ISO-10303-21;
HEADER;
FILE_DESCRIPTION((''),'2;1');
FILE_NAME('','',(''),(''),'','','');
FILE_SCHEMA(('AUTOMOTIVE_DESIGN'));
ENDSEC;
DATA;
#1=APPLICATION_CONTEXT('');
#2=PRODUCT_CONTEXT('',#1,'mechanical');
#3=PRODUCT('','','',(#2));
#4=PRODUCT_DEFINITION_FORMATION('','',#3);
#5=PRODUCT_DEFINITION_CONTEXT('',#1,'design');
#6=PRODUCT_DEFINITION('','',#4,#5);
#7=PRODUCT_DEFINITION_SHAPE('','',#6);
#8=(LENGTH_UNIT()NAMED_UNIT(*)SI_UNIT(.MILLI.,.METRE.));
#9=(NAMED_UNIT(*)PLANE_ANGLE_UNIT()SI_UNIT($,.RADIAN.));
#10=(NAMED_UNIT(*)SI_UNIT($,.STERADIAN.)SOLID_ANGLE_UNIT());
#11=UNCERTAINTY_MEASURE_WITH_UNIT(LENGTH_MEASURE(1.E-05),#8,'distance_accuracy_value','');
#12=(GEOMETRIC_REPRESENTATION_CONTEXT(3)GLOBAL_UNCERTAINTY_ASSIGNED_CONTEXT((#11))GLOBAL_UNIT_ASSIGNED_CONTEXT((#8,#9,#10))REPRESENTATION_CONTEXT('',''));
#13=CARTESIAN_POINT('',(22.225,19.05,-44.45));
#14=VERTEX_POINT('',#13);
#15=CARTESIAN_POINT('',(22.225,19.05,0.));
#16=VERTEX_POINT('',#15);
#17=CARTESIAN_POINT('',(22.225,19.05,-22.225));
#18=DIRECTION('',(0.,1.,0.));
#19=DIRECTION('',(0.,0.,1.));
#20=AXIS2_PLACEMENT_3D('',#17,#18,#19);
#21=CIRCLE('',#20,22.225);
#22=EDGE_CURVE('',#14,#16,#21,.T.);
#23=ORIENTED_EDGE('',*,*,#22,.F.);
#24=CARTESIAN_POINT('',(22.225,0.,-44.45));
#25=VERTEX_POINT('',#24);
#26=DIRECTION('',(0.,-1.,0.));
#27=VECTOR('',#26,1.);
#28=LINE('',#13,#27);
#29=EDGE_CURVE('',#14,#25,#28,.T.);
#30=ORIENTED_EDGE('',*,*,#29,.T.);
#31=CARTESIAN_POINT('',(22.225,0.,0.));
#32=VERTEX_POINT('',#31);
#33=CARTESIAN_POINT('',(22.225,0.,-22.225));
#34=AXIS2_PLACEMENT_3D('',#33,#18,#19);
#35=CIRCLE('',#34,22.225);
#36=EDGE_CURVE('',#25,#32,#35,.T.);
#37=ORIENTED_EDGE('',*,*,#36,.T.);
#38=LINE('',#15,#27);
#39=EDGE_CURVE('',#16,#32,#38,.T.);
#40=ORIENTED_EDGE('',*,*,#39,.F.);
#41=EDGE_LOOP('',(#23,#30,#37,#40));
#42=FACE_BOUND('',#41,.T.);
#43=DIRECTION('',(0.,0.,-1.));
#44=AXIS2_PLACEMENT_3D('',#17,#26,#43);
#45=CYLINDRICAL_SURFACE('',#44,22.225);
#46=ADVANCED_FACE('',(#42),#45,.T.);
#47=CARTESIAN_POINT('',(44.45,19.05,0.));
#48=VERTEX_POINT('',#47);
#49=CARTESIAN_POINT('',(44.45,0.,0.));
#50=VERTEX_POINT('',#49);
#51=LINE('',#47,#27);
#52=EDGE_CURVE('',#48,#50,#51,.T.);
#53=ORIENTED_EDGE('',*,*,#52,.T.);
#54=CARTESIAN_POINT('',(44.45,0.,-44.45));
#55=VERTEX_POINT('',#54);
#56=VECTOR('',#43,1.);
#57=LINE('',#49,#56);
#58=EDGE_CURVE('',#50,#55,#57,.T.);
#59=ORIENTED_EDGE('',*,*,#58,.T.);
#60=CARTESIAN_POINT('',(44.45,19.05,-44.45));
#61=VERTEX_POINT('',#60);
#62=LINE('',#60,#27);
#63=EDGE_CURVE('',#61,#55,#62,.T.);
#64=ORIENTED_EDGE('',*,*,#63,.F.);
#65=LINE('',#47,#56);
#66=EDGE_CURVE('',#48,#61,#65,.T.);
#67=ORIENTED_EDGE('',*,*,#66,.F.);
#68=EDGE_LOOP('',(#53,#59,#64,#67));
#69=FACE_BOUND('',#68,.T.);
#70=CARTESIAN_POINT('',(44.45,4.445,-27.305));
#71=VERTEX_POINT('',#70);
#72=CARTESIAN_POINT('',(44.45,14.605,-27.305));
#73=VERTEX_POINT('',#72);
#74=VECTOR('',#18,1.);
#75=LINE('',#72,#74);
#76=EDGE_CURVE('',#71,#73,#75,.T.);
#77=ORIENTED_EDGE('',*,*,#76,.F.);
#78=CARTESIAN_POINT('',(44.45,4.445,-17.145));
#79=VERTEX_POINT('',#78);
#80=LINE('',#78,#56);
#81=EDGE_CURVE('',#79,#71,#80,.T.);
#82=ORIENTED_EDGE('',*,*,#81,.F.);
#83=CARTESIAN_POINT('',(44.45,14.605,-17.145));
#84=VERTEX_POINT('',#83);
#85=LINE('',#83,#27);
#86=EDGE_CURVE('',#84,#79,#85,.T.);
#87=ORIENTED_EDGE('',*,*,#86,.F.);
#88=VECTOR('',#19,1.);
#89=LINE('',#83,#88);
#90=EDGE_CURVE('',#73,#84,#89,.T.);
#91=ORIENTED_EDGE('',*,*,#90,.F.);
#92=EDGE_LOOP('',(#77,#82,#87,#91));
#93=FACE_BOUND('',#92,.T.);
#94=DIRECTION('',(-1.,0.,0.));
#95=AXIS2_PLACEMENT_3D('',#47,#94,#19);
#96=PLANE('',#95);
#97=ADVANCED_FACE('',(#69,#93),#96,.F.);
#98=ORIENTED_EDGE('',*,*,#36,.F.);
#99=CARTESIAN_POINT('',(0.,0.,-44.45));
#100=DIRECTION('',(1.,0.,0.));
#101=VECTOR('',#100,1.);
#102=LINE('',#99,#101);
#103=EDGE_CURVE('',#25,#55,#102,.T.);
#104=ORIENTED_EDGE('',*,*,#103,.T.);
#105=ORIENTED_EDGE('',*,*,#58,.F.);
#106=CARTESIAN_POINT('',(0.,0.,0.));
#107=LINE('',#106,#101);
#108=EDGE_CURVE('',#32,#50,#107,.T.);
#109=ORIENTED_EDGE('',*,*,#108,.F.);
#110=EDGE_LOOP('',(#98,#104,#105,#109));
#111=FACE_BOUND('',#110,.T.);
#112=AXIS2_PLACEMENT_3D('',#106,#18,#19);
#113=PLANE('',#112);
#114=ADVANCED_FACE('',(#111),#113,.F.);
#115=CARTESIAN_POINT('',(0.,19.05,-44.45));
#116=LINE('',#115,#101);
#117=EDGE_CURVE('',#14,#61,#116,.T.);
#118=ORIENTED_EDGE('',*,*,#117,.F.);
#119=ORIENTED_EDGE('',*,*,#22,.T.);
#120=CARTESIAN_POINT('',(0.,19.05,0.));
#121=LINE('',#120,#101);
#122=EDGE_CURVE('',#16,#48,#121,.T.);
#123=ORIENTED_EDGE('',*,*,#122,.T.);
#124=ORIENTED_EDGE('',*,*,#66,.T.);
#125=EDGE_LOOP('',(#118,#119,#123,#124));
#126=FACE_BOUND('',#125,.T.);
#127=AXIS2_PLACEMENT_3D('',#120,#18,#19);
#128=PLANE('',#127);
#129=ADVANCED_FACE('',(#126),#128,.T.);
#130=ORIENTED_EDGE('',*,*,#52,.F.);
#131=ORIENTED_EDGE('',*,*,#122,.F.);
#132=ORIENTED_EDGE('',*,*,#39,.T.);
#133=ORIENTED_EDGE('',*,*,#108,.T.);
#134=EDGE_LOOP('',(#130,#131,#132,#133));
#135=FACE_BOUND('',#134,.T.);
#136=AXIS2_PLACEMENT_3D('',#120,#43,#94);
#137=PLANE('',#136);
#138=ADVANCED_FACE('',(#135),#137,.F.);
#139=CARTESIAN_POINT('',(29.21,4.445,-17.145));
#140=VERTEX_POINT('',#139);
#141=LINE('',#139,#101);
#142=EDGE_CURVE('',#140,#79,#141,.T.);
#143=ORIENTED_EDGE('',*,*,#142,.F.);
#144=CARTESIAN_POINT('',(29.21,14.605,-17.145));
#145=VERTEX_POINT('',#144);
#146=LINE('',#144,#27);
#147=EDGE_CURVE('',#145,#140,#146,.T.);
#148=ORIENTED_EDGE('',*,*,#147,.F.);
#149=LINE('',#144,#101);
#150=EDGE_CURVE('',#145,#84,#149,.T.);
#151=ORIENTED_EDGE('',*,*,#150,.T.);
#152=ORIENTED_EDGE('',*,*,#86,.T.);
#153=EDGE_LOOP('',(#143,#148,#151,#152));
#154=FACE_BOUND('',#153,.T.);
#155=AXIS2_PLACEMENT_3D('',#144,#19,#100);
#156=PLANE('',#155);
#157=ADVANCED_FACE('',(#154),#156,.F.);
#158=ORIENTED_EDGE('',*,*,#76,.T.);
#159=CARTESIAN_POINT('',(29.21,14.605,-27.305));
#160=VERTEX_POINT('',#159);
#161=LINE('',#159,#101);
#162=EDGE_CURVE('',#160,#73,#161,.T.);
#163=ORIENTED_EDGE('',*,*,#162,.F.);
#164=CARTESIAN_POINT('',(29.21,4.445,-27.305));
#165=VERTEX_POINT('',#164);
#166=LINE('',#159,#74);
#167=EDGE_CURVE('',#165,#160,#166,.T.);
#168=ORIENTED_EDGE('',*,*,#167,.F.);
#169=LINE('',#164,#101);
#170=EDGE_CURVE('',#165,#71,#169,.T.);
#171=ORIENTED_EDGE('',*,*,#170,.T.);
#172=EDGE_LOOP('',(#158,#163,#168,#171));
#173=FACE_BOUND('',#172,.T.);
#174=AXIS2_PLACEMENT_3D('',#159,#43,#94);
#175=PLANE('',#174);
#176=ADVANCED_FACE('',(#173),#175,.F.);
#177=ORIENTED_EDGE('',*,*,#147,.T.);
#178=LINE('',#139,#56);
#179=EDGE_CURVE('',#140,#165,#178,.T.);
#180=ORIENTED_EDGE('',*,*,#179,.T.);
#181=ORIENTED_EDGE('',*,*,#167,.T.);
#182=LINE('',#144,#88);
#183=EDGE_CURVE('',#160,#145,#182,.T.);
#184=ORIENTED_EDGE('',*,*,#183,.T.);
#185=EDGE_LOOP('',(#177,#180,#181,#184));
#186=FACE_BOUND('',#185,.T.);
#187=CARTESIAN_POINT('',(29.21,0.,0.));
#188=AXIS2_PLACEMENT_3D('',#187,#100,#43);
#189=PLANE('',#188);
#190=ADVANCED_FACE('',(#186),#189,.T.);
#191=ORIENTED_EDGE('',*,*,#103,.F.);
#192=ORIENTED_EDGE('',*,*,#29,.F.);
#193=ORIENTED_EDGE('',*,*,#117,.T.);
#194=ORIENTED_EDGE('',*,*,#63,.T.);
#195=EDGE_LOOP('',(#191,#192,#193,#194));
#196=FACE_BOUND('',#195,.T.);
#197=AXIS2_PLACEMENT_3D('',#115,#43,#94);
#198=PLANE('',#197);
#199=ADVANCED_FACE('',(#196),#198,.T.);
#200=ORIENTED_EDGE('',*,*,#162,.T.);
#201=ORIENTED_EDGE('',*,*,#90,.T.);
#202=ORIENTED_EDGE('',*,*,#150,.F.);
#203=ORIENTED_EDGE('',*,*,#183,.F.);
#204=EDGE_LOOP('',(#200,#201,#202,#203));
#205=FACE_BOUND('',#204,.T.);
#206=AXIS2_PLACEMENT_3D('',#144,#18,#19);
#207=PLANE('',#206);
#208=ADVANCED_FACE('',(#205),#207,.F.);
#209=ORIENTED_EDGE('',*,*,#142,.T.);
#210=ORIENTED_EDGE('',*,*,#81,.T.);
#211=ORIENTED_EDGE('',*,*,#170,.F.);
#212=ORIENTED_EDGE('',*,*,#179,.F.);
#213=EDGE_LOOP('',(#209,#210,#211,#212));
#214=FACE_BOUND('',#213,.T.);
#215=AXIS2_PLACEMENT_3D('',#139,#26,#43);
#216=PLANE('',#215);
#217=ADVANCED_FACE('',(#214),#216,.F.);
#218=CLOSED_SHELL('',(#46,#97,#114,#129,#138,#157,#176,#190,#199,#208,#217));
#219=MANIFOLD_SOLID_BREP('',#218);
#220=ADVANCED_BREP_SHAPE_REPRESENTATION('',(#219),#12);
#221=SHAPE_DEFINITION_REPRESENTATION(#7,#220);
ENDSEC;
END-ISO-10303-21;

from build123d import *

# Parameters (mm, degrees)
SKETCH1_W                       = 22.225
SKETCH1_H                       = 44.45
MAIN_BODY_EXTRUDE_DEPTH         = 19.05
SKETCH2_W                       = 10.16
SKETCH2_H                       = 10.16
UPPER_FOOT_CONNECTION_CUT_DEPTH = 15.24


with BuildPart() as part:
    # Sketch1 → Main body extrude (new body)
    with BuildSketch(Plane(origin=(0, 0, 0), x_dir=(1, 0, 0), z_dir=(0, 1, 0))):
        with BuildLine():
            Line((22.225, 44.45), (22.225, 0))
            ThreePointArc((22.225, 0), (0, 22.225), (22.225, 44.45))
        make_face()
        with Locations((33.3375, 22.225)):
            Rectangle(SKETCH1_W, SKETCH1_H)
    extrude(amount=MAIN_BODY_EXTRUDE_DEPTH)

    # Sketch2 → Upper foot connection cut (cut)
    with BuildSketch(Plane(origin=(44.45, 0, 0), x_dir=(0, 0, -1), z_dir=(1, 0, 0))):
        with Locations((22.225, 9.525)):
            Rectangle(SKETCH2_W, SKETCH2_H)
    extrude(amount=-UPPER_FOOT_CONNECTION_CUT_DEPTH, mode=Mode.SUBTRACT)


solid = part.part
